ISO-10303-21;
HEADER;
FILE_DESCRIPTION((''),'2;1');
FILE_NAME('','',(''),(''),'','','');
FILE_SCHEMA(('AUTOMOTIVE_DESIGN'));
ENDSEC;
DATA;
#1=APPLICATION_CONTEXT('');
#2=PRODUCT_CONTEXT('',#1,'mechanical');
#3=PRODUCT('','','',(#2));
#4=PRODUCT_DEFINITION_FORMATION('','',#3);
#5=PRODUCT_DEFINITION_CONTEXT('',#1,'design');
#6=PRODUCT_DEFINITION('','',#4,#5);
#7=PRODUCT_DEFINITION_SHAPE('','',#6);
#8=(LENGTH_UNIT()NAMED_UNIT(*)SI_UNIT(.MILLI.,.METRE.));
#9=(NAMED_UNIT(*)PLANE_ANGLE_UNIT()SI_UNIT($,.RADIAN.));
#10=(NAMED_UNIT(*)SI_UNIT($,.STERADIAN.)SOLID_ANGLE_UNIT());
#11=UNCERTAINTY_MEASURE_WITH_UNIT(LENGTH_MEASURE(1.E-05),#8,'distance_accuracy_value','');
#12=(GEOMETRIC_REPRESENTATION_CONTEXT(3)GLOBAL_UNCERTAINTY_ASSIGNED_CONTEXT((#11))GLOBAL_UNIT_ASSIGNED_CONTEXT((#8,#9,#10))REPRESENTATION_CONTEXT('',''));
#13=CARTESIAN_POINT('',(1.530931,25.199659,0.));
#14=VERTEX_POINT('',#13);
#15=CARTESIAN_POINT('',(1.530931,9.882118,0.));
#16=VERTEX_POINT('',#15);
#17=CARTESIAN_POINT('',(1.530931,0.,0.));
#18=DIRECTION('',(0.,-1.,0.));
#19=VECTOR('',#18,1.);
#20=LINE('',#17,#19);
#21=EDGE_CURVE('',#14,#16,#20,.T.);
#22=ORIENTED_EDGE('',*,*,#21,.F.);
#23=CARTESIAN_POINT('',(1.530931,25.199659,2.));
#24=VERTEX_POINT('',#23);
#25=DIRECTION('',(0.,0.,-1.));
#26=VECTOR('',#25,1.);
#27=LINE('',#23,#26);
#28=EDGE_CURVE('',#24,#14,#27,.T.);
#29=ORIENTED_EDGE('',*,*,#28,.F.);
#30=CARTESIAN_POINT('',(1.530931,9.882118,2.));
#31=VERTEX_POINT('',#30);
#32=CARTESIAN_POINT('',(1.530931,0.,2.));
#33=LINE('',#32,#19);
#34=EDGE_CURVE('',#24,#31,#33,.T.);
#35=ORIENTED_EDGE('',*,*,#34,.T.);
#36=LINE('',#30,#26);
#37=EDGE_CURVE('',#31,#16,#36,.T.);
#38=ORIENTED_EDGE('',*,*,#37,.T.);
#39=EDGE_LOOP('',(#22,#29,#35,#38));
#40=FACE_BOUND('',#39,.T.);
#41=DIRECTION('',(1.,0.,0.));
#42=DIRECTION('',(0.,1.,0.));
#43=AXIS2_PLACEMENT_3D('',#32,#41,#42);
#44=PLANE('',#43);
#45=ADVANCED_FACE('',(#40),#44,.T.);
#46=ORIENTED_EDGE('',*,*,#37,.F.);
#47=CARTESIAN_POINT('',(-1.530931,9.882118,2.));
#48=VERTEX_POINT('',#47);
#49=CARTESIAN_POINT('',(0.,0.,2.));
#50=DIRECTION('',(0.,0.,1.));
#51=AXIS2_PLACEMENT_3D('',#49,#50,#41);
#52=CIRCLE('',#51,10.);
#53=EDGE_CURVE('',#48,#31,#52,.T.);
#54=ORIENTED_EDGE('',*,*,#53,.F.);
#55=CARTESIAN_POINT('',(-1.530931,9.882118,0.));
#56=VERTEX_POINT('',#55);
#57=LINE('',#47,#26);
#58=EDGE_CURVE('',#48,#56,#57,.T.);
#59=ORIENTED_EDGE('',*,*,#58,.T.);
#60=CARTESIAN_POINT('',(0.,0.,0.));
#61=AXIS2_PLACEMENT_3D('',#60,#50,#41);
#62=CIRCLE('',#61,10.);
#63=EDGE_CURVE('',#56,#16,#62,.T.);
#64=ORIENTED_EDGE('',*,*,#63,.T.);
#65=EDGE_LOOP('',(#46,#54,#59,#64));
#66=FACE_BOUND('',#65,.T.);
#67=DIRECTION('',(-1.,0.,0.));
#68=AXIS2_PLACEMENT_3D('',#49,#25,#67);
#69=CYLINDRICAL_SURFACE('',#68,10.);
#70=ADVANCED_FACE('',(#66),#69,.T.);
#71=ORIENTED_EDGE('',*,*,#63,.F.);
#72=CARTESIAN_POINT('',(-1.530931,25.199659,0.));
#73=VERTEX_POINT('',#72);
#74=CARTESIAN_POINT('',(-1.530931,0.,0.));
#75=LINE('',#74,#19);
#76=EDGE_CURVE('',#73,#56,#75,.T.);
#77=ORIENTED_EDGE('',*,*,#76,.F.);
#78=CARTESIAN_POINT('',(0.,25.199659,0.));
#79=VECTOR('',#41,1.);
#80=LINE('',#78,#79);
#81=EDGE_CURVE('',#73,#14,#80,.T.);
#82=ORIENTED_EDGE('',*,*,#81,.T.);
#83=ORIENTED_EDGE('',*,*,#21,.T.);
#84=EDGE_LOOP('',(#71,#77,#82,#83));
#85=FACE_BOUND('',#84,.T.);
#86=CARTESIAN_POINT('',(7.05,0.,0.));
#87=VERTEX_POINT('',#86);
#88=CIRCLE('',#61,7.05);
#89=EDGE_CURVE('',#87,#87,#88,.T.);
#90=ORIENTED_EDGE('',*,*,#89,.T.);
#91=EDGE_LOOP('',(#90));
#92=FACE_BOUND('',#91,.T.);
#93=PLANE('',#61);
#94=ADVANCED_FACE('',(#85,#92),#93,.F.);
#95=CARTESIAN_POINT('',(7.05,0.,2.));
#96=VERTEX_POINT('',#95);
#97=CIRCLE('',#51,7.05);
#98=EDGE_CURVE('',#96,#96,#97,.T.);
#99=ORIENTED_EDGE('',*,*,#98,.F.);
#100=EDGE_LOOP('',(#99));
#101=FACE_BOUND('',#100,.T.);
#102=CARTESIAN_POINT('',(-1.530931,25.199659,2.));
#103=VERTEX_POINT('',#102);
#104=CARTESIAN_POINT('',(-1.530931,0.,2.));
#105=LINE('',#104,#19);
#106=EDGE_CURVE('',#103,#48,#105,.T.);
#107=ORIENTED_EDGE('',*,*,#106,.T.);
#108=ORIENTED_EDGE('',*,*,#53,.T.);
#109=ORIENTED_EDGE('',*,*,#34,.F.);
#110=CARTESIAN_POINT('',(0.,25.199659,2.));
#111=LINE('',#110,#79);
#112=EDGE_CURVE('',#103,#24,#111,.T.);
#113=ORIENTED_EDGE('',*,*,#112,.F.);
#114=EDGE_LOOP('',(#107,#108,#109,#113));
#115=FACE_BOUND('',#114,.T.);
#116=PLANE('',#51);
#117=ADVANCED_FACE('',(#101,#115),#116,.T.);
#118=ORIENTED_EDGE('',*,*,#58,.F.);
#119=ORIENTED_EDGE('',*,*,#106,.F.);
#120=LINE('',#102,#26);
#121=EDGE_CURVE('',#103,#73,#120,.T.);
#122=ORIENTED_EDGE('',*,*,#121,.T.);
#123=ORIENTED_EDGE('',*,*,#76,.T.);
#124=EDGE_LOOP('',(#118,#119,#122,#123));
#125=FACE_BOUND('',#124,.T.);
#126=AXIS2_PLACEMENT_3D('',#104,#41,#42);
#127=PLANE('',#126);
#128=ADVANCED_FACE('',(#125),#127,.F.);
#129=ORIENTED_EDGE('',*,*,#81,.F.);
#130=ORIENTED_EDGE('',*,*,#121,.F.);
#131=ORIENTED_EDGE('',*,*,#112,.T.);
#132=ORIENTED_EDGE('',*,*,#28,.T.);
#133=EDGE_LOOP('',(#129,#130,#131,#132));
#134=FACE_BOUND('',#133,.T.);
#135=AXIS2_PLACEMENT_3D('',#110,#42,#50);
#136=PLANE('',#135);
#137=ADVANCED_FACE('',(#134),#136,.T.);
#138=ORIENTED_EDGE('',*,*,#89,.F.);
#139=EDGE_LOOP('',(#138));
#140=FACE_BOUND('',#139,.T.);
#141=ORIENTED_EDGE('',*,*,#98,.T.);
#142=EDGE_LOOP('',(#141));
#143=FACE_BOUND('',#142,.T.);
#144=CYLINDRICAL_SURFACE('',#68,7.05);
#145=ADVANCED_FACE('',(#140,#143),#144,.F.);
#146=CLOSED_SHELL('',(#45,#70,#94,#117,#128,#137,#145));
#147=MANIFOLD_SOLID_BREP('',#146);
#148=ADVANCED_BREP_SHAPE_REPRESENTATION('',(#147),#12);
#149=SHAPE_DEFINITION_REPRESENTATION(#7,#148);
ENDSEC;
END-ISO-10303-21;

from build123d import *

# Parameters (mm, degrees)
SKETCH1_R           = 7.05
BOSS_EXTRUDE1_DEPTH = 2


with BuildPart() as part:
    # Sketch1 → Boss-Extrude1 (new body)
    with BuildSketch(Plane.XY):
        with BuildLine():
            Line((-1.530931089, 25.199659323), (1.530931089, 25.199659323))
            Line((1.530931089, 25.199659323), (1.530931089, 9.882117688))
            ThreePointArc((1.530931089, 9.882117688), (0, -10), (-1.530931089, 9.882117688))
            Line((-1.530931089, 9.882117688), (-1.530931089, 25.199659323))
        make_face()
        Circle(SKETCH1_R, mode=Mode.SUBTRACT)
    extrude(amount=BOSS_EXTRUDE1_DEPTH)


solid = part.part
